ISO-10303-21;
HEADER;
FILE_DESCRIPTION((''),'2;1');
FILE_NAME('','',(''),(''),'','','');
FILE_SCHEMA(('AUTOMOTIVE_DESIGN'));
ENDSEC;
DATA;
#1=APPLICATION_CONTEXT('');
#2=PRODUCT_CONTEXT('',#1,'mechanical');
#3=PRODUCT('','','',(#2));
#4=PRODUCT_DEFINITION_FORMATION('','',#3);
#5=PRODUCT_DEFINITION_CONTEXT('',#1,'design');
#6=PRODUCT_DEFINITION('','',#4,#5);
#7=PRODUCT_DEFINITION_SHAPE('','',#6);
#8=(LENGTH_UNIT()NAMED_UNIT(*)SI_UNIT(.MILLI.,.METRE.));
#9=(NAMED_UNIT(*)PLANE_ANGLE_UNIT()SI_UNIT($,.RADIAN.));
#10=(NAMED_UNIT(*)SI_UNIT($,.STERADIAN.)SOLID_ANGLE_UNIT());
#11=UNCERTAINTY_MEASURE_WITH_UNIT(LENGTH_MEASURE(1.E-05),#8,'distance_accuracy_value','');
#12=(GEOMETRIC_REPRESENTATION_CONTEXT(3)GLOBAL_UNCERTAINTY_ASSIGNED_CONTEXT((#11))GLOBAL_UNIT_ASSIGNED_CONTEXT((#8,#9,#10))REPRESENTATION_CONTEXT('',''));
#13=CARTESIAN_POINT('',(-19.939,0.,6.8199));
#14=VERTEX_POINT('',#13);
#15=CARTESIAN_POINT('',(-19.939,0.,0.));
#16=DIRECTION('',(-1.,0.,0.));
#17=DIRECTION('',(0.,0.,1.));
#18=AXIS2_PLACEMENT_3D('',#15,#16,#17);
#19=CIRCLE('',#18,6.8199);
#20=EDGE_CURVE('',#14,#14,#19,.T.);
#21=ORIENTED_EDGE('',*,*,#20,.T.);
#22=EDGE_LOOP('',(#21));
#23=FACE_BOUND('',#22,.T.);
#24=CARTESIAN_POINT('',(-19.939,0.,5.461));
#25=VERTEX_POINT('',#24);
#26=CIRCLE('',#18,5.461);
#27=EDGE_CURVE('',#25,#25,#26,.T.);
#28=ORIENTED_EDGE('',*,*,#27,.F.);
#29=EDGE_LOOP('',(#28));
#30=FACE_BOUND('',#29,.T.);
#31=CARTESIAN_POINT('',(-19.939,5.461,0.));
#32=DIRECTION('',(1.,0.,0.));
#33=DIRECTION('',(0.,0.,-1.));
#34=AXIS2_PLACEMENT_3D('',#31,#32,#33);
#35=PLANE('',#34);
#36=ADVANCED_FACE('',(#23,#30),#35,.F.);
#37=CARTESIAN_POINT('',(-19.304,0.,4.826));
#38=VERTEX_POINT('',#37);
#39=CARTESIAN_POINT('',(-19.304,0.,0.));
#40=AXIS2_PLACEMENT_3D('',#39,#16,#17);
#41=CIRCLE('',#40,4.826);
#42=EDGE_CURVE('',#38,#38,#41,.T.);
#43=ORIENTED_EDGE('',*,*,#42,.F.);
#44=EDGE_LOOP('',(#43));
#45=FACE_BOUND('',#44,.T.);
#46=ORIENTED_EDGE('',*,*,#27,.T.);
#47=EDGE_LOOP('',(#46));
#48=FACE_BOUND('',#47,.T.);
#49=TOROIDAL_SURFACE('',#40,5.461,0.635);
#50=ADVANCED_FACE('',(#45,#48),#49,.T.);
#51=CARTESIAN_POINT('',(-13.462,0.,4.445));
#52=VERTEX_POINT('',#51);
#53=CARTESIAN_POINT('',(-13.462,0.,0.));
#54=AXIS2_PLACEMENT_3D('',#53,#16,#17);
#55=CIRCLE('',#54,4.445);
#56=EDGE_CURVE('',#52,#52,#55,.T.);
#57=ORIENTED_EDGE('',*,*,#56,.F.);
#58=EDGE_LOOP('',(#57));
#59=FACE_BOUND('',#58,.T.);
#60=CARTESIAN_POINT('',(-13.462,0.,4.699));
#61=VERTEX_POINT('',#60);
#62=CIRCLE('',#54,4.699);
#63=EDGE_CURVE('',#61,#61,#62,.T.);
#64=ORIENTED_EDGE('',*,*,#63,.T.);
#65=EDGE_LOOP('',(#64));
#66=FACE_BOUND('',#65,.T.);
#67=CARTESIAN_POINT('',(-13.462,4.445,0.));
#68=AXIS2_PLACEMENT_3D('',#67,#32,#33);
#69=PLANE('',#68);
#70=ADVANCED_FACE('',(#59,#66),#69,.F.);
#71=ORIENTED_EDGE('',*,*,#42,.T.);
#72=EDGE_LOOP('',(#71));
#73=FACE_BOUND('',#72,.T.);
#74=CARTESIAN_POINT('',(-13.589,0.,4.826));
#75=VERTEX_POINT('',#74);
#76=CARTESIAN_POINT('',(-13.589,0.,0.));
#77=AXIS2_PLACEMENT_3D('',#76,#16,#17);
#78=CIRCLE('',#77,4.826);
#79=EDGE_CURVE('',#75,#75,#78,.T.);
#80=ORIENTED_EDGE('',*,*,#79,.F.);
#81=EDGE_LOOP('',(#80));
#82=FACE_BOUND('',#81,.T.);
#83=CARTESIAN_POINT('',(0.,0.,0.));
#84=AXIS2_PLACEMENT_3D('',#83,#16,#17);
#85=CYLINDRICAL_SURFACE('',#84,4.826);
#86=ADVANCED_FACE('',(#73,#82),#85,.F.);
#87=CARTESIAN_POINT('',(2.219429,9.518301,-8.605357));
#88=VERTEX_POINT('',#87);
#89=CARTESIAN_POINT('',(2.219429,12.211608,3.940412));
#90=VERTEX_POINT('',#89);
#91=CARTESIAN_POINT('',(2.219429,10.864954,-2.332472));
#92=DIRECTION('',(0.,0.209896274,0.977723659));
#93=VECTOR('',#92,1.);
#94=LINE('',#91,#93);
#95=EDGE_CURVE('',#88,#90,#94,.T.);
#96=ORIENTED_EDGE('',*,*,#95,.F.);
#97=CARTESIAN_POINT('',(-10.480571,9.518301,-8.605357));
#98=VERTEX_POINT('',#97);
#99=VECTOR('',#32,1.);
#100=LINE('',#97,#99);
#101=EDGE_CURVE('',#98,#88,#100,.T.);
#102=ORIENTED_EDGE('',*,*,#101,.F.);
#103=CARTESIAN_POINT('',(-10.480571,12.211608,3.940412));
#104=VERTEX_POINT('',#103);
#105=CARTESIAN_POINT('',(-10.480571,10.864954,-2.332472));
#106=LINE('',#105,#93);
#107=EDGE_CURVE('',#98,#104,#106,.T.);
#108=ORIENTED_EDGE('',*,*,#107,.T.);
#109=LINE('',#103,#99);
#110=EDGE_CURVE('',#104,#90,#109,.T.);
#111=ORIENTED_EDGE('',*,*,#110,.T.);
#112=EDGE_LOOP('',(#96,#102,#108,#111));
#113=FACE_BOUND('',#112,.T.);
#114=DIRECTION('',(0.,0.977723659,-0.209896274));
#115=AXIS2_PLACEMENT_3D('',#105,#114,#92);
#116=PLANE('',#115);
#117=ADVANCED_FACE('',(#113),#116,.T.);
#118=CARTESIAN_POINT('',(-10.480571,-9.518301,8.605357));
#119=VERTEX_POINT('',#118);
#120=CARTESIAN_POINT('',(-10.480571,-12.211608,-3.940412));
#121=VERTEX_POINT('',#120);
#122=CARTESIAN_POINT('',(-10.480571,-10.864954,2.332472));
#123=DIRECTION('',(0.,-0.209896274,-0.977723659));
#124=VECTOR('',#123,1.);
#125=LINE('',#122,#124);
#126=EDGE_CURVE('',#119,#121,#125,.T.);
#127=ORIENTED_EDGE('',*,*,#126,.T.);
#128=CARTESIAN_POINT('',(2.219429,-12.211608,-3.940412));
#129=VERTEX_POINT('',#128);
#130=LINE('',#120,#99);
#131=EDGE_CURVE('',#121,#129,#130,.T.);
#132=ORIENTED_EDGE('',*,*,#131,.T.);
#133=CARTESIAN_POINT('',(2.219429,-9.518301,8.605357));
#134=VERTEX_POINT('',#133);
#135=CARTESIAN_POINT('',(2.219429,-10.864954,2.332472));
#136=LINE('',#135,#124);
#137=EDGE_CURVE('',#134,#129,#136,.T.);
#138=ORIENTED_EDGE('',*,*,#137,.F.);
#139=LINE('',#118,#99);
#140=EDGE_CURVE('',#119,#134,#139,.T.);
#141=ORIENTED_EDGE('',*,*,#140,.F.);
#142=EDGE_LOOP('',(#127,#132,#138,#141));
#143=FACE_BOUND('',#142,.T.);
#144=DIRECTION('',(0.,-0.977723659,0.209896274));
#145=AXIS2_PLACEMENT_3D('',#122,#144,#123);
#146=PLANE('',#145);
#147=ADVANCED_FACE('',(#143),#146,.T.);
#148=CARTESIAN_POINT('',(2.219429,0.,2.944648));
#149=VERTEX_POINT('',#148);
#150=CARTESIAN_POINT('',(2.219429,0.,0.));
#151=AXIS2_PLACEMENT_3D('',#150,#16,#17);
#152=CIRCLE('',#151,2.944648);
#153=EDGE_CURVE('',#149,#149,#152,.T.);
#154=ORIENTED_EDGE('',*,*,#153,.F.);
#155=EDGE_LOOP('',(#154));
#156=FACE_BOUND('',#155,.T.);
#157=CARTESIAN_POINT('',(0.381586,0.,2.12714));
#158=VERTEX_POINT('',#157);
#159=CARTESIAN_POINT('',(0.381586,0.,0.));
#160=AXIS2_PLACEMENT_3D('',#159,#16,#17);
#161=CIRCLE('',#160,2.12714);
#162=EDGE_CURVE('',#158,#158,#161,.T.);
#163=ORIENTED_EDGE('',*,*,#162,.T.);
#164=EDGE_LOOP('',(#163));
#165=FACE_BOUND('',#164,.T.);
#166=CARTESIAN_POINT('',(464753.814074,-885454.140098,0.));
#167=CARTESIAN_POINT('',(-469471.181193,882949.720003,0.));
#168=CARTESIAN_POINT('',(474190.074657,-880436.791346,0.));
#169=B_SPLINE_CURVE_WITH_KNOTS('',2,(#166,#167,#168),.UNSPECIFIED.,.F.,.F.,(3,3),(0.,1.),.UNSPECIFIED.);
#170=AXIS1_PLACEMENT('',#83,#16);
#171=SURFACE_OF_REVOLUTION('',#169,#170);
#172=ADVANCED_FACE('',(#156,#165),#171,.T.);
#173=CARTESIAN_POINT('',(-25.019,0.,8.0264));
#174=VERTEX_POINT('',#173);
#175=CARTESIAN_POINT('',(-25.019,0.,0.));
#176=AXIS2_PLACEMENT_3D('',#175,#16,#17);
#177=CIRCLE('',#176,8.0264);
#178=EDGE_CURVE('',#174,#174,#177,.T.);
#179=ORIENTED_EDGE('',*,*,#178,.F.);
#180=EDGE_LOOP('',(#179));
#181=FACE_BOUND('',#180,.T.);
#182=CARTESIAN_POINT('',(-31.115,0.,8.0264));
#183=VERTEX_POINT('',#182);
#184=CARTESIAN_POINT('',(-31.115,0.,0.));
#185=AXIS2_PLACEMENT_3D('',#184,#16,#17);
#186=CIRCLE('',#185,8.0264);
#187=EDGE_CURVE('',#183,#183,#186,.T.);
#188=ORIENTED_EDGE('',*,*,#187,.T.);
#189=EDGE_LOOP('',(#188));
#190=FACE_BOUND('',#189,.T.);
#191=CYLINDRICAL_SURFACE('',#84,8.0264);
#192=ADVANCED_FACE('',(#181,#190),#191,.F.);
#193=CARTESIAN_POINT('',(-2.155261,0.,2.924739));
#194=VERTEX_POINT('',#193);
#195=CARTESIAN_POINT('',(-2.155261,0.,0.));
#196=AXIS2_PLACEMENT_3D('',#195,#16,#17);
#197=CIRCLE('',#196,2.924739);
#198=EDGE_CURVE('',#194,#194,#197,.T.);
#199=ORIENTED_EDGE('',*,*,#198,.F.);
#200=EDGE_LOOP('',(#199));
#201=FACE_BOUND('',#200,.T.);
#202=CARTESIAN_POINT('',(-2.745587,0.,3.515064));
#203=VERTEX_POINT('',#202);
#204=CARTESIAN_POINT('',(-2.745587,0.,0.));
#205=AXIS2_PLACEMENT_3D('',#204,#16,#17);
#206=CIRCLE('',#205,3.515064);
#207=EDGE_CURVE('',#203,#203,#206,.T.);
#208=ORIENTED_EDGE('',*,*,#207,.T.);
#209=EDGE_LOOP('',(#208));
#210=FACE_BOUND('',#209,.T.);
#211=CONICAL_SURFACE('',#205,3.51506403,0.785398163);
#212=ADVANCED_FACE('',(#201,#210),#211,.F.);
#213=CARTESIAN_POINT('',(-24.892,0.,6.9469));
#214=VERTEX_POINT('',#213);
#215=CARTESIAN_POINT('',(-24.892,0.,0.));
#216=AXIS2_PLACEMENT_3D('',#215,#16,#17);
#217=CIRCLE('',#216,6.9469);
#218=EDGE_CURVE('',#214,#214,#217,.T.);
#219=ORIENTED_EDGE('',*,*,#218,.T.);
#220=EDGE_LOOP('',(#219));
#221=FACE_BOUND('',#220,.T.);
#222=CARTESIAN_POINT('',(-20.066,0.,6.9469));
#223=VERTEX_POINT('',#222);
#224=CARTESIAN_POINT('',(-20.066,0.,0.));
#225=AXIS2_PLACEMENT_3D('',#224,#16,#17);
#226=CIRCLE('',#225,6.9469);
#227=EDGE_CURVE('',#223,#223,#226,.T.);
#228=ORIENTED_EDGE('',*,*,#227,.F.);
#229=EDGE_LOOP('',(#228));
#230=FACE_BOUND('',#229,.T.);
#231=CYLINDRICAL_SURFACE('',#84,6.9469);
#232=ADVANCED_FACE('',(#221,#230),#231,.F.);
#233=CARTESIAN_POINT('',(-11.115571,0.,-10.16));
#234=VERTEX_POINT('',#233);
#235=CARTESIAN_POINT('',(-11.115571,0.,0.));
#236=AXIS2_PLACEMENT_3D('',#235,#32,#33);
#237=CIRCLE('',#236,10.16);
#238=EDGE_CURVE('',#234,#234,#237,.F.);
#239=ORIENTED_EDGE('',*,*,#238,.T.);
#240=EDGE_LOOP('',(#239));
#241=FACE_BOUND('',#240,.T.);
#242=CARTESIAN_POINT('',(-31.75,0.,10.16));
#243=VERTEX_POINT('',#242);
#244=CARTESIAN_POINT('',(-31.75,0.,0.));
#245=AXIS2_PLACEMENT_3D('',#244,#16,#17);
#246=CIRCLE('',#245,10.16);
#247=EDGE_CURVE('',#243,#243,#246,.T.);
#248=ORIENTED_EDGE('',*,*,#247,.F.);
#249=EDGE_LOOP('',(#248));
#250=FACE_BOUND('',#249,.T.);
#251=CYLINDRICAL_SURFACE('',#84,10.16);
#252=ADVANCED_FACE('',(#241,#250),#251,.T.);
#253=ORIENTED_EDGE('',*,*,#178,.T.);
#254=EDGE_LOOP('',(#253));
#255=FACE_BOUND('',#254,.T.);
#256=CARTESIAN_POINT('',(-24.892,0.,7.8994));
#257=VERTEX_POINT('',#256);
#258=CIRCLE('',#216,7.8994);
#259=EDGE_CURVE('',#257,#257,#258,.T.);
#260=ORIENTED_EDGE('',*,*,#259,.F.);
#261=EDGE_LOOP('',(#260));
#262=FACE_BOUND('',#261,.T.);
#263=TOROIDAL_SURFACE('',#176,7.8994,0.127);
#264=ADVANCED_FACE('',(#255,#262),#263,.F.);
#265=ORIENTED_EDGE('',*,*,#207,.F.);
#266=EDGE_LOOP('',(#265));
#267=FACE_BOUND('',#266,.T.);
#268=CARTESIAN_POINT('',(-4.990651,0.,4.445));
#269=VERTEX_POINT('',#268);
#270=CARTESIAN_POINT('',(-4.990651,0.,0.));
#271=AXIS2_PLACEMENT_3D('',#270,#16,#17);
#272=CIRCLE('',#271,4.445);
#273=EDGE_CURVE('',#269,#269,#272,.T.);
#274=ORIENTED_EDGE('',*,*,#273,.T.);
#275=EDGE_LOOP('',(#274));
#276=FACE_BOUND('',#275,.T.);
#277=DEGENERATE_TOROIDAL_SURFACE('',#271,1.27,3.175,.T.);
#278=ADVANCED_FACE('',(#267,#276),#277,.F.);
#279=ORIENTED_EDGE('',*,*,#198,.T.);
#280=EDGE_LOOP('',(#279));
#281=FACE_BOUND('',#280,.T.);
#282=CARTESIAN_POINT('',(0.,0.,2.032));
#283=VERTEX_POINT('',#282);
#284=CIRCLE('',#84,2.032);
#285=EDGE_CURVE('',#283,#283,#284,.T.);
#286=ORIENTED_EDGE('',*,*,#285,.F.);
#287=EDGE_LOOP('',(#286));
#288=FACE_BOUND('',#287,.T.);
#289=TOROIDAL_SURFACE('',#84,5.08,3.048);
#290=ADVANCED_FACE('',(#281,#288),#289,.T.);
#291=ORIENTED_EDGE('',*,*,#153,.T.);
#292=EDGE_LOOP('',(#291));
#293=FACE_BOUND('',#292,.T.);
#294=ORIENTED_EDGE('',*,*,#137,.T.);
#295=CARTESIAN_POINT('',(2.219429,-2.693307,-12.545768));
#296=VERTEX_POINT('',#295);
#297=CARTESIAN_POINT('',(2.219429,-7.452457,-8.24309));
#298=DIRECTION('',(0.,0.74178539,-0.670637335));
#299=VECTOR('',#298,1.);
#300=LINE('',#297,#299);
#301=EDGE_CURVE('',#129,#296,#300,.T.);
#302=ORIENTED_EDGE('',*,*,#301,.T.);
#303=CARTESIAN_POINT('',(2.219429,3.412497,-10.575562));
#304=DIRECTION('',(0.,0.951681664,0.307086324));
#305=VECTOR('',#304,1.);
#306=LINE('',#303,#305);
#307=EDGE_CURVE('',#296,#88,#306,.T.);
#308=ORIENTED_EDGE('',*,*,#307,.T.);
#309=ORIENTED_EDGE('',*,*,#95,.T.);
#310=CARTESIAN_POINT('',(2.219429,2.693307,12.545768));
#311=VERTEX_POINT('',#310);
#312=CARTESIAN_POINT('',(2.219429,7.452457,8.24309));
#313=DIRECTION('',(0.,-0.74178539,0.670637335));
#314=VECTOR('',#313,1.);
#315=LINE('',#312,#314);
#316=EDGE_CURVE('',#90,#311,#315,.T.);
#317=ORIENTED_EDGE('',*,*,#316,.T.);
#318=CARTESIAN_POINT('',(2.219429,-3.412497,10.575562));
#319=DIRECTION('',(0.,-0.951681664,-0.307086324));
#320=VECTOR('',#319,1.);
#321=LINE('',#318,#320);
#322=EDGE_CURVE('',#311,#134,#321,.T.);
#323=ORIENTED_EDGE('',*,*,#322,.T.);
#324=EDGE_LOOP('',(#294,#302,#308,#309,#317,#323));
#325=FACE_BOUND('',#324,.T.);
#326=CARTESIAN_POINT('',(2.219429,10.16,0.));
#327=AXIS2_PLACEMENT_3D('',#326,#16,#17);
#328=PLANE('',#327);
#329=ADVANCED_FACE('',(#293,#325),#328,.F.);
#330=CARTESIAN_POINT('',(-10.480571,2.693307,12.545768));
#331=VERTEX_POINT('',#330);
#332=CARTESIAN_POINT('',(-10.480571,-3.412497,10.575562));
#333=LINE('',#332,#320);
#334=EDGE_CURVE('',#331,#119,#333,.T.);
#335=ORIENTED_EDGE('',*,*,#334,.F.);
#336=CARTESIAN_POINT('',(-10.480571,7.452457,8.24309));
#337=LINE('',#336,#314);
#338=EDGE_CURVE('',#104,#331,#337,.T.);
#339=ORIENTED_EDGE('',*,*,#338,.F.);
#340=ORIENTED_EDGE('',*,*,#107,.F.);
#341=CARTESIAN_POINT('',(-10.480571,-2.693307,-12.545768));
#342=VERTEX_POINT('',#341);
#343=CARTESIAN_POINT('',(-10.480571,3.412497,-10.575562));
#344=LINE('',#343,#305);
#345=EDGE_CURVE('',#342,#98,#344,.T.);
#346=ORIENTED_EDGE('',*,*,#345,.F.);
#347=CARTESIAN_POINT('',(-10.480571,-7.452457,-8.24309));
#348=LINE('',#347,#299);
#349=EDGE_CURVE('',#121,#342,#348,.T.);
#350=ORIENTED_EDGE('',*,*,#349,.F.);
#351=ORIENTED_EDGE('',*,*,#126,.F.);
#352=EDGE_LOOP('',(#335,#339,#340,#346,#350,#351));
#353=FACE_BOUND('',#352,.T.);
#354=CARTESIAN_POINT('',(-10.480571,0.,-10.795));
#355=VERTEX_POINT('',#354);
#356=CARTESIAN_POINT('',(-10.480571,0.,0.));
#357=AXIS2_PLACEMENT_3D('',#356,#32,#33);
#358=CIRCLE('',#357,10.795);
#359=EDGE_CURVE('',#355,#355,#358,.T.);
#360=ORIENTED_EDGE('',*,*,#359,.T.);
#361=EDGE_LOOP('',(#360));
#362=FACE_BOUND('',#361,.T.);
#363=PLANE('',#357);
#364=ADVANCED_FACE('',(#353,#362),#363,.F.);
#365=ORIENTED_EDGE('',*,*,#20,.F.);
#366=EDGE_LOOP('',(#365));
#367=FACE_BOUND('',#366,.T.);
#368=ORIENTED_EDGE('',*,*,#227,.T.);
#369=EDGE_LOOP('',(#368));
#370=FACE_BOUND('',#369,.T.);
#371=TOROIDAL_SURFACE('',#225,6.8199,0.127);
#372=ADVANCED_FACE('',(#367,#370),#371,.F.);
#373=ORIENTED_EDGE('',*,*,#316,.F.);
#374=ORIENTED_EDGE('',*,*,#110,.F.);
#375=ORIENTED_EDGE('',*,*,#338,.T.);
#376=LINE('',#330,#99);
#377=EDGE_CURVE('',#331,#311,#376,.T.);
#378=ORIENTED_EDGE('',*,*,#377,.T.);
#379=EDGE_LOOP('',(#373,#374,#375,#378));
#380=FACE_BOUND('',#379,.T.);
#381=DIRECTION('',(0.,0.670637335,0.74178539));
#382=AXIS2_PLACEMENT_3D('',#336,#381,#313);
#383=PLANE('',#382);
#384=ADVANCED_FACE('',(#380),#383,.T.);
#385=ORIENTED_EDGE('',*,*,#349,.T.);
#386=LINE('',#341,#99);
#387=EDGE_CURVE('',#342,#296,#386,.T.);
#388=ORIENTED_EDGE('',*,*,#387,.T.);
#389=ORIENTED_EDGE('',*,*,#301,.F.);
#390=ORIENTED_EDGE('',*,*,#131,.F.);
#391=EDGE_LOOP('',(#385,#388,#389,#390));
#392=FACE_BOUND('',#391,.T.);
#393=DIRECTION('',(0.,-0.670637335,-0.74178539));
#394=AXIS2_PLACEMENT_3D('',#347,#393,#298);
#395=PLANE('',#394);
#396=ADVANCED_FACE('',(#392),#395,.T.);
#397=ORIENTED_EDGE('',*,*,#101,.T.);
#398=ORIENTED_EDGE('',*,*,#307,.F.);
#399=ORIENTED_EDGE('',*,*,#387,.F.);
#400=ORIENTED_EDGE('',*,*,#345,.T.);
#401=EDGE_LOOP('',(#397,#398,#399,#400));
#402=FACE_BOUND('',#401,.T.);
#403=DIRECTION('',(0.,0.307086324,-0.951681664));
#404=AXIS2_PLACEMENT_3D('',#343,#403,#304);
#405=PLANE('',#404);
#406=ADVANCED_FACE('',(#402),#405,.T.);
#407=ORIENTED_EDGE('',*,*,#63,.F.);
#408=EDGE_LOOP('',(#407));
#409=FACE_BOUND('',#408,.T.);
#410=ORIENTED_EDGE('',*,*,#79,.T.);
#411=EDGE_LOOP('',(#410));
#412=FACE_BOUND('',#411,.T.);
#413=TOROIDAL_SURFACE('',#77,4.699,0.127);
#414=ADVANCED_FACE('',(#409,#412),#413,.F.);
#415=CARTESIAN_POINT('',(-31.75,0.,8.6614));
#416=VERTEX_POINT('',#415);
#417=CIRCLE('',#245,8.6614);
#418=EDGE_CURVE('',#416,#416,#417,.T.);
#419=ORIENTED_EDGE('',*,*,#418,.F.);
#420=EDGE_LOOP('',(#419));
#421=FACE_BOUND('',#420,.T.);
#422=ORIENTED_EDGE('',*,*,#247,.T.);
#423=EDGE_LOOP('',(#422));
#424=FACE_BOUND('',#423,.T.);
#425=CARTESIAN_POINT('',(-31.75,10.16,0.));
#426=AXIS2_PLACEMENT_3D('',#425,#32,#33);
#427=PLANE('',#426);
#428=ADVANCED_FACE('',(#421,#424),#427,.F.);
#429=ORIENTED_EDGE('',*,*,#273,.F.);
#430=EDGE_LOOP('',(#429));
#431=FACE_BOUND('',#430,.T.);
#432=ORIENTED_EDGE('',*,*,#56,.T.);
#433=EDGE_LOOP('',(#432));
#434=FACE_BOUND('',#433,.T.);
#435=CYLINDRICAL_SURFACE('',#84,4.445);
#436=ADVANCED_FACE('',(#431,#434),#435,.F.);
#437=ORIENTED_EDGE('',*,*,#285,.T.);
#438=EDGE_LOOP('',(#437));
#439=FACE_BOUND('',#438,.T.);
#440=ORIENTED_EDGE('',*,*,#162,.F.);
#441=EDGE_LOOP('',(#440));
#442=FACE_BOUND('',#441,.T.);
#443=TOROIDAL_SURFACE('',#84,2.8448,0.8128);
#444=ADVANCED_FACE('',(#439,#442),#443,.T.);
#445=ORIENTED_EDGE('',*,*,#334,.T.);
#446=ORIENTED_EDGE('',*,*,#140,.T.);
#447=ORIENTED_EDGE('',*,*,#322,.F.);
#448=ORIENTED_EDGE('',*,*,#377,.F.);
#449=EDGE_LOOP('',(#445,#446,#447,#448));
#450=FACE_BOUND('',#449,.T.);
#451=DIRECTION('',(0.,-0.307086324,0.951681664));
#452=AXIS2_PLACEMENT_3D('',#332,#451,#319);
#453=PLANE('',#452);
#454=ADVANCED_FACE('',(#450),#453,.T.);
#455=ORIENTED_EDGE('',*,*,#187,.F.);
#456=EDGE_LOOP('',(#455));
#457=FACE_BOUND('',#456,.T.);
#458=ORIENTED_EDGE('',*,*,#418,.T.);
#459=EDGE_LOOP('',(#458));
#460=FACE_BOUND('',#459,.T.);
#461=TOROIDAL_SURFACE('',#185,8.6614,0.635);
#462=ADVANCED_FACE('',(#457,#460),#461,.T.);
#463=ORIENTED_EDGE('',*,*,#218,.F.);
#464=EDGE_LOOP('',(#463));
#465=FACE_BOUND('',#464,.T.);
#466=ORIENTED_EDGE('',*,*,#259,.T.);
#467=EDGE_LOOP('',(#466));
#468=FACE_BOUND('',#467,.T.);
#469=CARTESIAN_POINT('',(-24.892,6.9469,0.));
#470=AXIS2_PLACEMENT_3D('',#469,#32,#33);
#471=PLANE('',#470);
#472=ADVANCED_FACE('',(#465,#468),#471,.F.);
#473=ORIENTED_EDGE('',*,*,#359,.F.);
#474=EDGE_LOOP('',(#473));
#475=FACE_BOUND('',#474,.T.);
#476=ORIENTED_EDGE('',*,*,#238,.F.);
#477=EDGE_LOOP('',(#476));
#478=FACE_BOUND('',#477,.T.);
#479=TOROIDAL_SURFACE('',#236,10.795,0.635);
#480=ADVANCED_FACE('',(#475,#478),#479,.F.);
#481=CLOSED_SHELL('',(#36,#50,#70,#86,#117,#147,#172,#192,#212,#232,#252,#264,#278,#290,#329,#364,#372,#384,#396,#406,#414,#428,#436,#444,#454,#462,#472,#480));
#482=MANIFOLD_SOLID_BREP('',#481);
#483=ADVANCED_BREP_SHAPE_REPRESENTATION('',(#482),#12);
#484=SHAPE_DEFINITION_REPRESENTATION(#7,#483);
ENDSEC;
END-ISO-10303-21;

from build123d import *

# Parameters (mm, degrees)
SKETCH4_R           = 10.16
BOSS_EXTRUDE1_DEPTH = 12.7
FILLET1_R           = 0.635


with BuildPart() as part:
    # Sketch1 → Revolve1 (revolve)
    with BuildSketch(Plane.XY, mode=Mode.PRIVATE) as revolve1_sk:
        with BuildLine():
            Line((-2.155261469, 2.924738531), (-2.745586968, 3.51506403))
            ThreePointArc((-2.745586968, 3.51506403), (-3.775631101, 4.203317516), (-4.990650999, 4.445))
            Line((-4.990650999, 4.445), (-13.462, 4.445))
            Line((-13.462, 4.445), (-13.462, 4.699))
            ThreePointArc((-13.462, 4.699), (-13.499197439, 4.788802561), (-13.589, 4.826))
            Line((-13.589, 4.826), (-19.304, 4.826))
            ThreePointArc((-19.304, 4.826), (-19.753012806, 5.011987194), (-19.939, 5.461))
            Line((-19.939, 5.461), (-19.939, 6.8199))
            ThreePointArc((-19.939, 6.8199), (-19.976197439, 6.909702561), (-20.066, 6.9469))
            Line((-20.066, 6.9469), (-24.892, 6.9469))
            Line((-24.892, 6.9469), (-24.892, 7.8994))
            ThreePointArc((-24.892, 7.8994), (-24.929197439, 7.989202561), (-25.019, 8.0264))
            Line((-25.019, 8.0264), (-31.115, 8.0264))
            ThreePointArc((-31.115, 8.0264), (-31.564012806, 8.212387194), (-31.75, 8.6614))
            Line((-31.75, 8.6614), (-31.75, 10.16))
            Line((-31.75, 10.16), (-10.480570528, 10.16))
            Line((-10.480570528, 10.16), (2.219429472, 10.16))
            Line((2.219429472, 10.16), (2.219429472, 2.944647755))
            add(Edge.make_bspline(
                [(2.219429472, 2.944647755), (1.267410542, 2.598141202), (0.381586486, 2.127140197)],
                knots=[0, 0, 0, 1, 1, 1], degree=2))
            ThreePointArc((0.381586486, 2.127140197), (0.196634117, 2.056143634), (0, 2.032))
            ThreePointArc((0, 2.032), (-1.166419102, 2.264015185), (-2.155261469, 2.924738531))
        make_face()
    revolve(revolve1_sk.sketch.rotate(Axis((0, 0, 0), (1, 0, 0)), 90), axis=Axis((0, 0, 0), (1, 0, 0)))

    # Sketch4 → Boss-Extrude1 (add)
    with BuildSketch(Plane(origin=(2.219429472, 0, 0), x_dir=(0, 0, -1), z_dir=(1, 0, 0))):
        Polygon((3.940411868, -12.211607701), (12.545768424, -2.693307071), (8.605356556, 9.51830063), (-3.940411868, 12.211607701), (-12.545768424, 2.693307071), (-8.605356556, -9.51830063), align=None)
        with Locations(Location((0, 0, 0), (0, 0, 180))):
            Circle(SKETCH4_R, mode=Mode.SUBTRACT)
    extrude(amount=-BOSS_EXTRUDE1_DEPTH)

    # Fillet1
    fillet1_edges = [part.edges().sort_by_distance(p)[0] for p in [
        (-10.480570528, 0, -10.16),
    ]]
    fillet(fillet1_edges, radius=FILLET1_R)


solid = part.part
